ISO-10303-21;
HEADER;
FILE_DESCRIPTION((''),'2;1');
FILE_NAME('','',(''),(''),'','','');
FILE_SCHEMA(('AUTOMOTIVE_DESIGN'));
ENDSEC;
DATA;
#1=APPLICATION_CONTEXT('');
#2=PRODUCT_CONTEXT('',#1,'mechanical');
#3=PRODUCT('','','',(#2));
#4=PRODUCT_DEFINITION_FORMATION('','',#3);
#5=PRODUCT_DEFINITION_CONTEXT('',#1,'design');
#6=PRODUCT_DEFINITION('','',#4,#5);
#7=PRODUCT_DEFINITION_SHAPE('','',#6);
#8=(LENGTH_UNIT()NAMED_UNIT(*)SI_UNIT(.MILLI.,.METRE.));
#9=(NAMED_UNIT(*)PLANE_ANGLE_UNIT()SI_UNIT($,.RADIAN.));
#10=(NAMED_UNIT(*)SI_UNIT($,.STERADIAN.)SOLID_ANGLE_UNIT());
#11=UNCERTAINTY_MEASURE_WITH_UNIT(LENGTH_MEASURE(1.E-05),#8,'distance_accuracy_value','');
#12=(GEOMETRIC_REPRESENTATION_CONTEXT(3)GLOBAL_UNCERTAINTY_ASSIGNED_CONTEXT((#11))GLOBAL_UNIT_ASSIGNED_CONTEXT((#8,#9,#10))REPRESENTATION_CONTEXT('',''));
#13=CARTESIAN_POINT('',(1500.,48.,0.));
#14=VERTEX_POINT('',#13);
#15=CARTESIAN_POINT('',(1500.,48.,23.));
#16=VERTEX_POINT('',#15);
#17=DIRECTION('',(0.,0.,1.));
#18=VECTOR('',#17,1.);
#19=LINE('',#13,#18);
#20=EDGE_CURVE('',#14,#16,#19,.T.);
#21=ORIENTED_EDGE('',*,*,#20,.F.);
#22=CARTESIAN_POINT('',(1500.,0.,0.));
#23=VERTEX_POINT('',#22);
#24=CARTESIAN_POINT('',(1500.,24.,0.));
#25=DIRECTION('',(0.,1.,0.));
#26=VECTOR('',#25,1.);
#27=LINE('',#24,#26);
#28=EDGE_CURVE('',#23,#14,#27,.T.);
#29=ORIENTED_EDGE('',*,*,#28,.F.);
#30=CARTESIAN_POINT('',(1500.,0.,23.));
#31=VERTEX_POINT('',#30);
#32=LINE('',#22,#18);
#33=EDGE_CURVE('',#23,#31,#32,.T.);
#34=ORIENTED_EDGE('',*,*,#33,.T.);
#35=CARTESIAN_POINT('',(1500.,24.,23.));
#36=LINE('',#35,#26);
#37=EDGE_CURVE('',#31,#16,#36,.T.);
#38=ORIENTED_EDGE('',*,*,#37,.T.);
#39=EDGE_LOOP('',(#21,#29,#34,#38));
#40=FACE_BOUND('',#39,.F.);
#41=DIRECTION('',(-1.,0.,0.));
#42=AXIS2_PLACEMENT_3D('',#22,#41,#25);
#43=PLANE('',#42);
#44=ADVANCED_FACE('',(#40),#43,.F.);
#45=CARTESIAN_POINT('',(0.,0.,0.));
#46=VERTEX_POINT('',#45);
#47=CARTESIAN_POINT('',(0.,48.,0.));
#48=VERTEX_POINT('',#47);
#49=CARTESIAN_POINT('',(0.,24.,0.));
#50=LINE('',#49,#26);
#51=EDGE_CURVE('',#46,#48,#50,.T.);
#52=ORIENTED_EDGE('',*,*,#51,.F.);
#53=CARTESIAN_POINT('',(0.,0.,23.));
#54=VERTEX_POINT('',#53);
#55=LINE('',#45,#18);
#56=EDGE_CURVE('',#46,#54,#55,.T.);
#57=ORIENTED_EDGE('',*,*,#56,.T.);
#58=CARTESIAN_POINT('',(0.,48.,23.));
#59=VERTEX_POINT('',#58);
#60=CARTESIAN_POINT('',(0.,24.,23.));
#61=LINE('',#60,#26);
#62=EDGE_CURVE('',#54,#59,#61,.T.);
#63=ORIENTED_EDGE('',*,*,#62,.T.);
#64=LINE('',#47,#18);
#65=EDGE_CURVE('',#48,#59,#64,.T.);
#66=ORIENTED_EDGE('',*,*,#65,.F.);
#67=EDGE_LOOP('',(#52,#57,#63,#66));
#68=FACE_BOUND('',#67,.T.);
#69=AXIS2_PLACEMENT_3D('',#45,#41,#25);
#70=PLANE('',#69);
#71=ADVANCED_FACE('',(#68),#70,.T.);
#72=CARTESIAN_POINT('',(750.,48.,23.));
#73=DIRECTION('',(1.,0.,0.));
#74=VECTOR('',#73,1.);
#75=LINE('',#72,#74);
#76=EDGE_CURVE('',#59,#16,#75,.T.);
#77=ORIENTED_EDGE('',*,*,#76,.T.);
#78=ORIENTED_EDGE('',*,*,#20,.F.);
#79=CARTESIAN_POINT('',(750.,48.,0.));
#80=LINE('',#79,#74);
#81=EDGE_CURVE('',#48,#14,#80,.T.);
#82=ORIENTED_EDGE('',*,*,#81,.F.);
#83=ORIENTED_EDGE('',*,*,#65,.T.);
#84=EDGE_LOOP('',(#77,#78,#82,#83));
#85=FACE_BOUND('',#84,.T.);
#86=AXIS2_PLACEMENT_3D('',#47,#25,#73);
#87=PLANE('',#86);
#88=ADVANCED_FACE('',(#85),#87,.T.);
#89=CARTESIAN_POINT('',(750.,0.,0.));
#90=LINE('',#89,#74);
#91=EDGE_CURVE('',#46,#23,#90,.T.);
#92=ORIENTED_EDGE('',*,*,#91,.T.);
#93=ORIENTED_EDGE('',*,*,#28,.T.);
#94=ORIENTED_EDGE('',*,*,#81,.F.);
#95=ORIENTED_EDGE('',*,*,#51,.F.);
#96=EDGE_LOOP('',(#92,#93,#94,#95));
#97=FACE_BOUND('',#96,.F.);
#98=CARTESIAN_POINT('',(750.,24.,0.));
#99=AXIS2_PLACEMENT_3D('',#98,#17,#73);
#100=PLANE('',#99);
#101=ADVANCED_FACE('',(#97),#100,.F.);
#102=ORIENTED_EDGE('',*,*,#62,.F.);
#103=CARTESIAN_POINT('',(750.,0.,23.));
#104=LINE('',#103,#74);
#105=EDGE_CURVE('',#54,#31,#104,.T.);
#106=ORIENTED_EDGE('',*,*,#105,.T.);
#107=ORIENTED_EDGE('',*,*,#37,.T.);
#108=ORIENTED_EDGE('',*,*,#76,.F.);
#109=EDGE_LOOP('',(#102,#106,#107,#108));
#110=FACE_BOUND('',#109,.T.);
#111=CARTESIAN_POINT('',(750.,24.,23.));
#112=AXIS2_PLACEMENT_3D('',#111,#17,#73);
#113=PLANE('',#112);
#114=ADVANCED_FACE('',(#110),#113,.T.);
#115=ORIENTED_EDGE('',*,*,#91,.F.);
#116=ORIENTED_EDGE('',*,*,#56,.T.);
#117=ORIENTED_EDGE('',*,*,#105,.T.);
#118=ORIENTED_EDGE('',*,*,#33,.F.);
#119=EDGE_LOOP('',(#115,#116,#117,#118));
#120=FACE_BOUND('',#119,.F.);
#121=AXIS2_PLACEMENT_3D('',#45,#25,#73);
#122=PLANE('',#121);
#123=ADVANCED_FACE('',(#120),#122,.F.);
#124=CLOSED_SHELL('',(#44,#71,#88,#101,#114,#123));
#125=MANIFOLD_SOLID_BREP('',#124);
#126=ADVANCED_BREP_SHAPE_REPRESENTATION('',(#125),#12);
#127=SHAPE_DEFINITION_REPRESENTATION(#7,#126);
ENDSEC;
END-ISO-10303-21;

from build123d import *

# Parameters (mm, degrees)
BOX_W     = 1500
BOX_H     = 48
BOX_DEPTH = 23


with BuildPart() as part:
    # Box → Box (new body)
    with BuildSketch(Plane.XY):
        with Locations((750, 24)):
            Rectangle(BOX_W, BOX_H)
    extrude(amount=BOX_DEPTH)


solid = part.part
